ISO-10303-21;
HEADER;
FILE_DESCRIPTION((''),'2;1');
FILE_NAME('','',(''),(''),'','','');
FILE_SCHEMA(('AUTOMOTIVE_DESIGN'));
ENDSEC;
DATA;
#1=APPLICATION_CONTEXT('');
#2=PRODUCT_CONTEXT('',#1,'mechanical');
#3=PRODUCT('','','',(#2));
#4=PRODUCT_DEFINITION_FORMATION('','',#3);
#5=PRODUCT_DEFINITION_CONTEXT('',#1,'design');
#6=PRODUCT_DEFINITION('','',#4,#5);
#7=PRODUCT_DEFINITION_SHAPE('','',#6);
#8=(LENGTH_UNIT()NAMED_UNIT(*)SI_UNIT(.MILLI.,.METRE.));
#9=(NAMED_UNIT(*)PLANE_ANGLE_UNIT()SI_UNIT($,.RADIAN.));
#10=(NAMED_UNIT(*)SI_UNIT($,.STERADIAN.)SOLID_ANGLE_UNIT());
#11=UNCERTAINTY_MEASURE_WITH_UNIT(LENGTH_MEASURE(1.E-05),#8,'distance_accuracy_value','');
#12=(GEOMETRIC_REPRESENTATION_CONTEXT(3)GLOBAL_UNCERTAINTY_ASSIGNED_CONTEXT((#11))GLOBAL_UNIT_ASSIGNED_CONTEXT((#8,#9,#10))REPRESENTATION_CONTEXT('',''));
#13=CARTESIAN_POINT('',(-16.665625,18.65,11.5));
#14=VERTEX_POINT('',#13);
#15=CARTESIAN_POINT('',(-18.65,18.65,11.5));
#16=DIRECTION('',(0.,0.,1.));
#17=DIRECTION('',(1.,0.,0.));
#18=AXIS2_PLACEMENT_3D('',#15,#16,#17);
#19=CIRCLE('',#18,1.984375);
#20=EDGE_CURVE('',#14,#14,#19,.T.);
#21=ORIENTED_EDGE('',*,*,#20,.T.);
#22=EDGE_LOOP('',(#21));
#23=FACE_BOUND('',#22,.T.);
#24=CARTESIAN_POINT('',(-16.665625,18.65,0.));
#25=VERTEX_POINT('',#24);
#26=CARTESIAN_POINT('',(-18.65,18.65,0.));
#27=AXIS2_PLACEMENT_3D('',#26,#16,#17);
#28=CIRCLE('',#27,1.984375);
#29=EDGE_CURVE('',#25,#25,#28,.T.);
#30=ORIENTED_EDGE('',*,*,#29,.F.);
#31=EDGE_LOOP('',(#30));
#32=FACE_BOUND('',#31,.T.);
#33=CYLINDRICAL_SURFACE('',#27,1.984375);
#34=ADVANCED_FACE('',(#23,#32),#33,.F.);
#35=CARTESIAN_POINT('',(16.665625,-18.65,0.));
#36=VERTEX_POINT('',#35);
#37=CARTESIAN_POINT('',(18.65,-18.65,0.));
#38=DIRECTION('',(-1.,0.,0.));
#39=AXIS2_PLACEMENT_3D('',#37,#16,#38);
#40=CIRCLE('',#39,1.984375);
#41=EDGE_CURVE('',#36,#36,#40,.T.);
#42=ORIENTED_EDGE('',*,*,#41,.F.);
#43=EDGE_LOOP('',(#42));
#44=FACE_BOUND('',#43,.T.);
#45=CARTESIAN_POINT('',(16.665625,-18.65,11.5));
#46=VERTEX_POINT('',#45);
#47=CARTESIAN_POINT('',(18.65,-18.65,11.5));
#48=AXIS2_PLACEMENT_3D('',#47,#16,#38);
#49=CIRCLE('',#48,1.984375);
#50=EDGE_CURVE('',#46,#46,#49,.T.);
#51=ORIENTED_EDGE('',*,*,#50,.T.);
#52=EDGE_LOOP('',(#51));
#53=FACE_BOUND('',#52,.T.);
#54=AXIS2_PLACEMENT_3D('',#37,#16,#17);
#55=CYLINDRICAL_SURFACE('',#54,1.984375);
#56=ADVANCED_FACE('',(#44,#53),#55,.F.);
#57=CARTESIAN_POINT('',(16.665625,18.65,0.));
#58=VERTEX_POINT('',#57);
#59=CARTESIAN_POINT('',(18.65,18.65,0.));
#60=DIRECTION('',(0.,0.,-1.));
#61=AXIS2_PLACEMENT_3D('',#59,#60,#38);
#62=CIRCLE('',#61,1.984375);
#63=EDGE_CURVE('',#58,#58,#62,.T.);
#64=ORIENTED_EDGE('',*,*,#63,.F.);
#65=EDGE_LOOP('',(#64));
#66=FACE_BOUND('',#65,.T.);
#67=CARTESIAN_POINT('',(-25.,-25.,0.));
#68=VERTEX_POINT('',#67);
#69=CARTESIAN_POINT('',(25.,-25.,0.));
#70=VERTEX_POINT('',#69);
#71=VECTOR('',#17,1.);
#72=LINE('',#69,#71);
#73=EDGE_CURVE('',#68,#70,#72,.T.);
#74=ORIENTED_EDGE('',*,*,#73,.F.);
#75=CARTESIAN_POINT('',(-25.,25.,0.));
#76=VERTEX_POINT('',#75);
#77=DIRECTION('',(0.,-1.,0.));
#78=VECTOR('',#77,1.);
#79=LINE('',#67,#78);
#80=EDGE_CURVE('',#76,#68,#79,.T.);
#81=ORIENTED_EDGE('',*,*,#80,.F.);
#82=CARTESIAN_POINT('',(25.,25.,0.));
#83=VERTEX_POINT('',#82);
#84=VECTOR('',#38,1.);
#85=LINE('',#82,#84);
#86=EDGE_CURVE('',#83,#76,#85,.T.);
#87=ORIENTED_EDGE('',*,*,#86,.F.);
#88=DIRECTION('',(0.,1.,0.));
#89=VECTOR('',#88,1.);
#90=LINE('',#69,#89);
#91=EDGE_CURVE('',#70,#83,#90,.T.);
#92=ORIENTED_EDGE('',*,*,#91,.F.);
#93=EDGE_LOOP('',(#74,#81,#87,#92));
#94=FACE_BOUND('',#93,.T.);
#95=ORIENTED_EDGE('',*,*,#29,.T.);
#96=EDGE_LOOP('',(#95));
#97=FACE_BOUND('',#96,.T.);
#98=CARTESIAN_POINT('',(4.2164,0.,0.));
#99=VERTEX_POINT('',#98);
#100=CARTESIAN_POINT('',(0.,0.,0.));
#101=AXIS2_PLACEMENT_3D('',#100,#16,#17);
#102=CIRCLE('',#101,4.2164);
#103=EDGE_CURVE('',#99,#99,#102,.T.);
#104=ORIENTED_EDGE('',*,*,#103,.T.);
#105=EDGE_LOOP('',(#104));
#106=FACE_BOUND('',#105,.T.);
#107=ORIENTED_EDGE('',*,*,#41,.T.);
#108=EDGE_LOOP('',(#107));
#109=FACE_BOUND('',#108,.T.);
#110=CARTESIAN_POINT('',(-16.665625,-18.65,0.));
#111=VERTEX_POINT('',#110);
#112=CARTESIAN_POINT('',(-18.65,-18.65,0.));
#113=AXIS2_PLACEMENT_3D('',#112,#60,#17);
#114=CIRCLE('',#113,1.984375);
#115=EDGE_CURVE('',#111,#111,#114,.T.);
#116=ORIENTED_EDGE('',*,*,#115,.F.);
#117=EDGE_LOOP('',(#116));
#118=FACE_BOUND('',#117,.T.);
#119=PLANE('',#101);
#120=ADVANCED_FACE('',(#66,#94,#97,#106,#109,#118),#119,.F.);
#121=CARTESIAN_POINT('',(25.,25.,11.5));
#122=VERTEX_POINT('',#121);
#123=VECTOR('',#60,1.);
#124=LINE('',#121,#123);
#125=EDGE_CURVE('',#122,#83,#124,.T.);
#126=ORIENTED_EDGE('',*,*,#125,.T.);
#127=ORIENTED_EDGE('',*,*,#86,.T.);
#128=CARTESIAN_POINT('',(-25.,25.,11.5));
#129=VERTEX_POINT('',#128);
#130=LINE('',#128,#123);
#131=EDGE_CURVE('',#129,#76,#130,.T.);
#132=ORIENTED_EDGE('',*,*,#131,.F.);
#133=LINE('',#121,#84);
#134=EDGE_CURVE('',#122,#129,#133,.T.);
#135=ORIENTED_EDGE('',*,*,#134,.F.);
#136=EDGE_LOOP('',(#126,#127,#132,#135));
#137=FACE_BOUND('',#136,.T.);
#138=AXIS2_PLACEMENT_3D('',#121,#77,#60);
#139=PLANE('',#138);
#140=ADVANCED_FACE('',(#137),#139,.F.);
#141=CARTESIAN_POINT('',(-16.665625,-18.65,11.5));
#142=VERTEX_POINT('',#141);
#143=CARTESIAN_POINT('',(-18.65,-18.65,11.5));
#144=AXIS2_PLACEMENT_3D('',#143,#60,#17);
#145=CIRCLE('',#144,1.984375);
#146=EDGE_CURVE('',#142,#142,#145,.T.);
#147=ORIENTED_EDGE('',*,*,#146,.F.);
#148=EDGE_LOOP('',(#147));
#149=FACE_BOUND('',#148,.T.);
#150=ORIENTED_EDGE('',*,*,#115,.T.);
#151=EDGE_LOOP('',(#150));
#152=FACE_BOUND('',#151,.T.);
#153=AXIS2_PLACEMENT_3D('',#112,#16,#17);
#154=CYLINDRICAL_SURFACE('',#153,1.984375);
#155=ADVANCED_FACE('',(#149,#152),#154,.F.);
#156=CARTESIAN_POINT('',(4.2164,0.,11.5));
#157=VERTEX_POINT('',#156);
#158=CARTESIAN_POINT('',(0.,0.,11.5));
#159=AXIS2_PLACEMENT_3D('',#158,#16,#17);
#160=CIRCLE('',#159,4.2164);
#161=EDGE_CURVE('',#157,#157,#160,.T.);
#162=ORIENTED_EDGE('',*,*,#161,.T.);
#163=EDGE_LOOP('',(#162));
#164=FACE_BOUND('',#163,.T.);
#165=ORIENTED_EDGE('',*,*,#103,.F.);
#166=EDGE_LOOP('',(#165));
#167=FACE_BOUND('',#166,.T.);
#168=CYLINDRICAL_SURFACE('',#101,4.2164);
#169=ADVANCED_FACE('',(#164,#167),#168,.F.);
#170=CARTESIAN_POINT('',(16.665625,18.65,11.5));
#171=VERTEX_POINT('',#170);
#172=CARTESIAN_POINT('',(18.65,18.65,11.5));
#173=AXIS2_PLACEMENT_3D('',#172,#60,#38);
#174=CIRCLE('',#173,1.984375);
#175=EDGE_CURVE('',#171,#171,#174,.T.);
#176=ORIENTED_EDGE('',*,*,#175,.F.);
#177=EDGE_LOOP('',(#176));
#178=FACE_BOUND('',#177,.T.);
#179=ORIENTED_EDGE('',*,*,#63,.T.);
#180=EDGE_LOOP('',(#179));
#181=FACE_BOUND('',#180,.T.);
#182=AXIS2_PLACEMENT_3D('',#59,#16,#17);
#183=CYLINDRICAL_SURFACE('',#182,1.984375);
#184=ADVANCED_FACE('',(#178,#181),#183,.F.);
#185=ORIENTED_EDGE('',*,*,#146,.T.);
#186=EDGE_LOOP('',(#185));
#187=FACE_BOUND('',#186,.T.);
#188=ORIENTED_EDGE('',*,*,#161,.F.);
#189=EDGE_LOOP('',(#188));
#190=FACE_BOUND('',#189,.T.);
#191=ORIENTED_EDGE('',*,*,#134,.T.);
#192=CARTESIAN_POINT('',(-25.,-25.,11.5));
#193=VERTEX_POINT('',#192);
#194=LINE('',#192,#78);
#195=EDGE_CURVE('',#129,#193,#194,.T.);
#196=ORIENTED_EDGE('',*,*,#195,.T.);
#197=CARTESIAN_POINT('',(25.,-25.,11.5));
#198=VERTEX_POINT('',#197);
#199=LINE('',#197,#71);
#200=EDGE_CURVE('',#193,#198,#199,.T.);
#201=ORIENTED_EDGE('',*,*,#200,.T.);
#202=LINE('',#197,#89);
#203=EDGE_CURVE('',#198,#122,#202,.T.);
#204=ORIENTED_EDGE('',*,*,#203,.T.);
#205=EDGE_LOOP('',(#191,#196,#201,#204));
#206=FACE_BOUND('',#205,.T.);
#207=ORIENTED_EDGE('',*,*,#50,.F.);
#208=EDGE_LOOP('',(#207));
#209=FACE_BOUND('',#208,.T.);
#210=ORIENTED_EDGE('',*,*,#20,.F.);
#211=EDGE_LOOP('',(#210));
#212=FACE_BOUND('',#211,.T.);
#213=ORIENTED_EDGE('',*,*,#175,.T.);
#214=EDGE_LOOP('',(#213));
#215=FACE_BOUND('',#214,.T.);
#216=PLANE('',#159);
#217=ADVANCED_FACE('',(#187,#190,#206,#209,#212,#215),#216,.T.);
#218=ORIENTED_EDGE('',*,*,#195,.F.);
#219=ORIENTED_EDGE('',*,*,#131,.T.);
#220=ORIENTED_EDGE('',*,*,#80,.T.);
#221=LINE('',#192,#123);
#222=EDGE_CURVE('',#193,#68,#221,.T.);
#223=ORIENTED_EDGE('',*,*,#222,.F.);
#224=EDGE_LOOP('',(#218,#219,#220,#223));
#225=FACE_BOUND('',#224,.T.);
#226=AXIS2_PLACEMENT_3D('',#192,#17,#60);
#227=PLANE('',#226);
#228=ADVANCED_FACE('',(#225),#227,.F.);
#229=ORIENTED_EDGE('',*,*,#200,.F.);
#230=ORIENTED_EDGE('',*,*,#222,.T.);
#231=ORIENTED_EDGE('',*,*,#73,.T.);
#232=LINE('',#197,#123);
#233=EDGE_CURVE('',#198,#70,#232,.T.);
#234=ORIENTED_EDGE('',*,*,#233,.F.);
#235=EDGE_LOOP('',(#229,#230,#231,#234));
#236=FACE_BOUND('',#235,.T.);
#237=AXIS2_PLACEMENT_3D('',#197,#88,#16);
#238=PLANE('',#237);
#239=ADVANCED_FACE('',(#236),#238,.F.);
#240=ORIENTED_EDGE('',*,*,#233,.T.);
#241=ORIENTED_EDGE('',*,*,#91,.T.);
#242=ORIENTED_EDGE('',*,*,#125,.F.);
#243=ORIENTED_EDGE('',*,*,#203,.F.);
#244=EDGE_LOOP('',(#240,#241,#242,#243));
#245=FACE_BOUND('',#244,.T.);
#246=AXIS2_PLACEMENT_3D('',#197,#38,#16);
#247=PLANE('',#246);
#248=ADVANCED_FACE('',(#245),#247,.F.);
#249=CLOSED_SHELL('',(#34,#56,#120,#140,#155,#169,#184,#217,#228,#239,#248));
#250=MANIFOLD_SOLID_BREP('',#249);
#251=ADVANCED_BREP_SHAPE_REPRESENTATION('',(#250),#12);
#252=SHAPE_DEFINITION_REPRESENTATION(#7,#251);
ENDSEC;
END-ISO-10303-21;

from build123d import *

# Parameters (mm, degrees)
SKETCH1_W               = 50
SKETCH1_H               = 50
BOSS_EXTRUDE1_DEPTH     = 11.5
SKETCH2_R               = 1.984375
CUT_EXTRUDE1_DEPTH      = 12.5
MIRROR2_COPY_1_SKETCH_R = 1.984375
MIRROR2_COPY_1_DEPTH    = 12.5
SKETCH3_R               = 4.2164
CUT_EXTRUDE2_DEPTH      = 12.5


with BuildPart() as part:
    # Sketch1 → Boss-Extrude1 (new body)
    with BuildSketch(Plane.XY):
        Rectangle(SKETCH1_W, SKETCH1_H)
    extrude(amount=BOSS_EXTRUDE1_DEPTH)

    # Sketch2 → Cut-Extrude1 (cut, through all)
    with BuildSketch(Plane.XY.offset(11.5)):
        with Locations((-18.65, 18.65)):
            Circle(SKETCH2_R)
    cut_extrude1 = extrude(amount=-CUT_EXTRUDE1_DEPTH, mode=Mode.SUBTRACT)

    # Mirror1: Cut-Extrude1 across plane
    add(cut_extrude1.mirror(Plane.ZX), mode=Mode.SUBTRACT)

    # Mirror2: Cut-Extrude1 across plane
    add(cut_extrude1.mirror(Plane(origin=(0, 0, 0), x_dir=(0, 0, 1), z_dir=(1, 0, 0))), mode=Mode.SUBTRACT)

    # Mirror2 copy 1 sketch → Mirror2 copy 1 (cut, through all)
    with BuildSketch(Plane(origin=(0, 0, 11.5), x_dir=(-1, 0, 0), z_dir=(0, 0, 1))):
        with Locations((-18.65, 18.65)):
            Circle(MIRROR2_COPY_1_SKETCH_R)
    extrude(amount=-MIRROR2_COPY_1_DEPTH, mode=Mode.SUBTRACT)

    # Sketch3 → Cut-Extrude2 (cut, through all)
    with BuildSketch(Plane.XY.offset(11.5)):
        Circle(SKETCH3_R)
    extrude(amount=-CUT_EXTRUDE2_DEPTH, mode=Mode.SUBTRACT)


solid = part.part
